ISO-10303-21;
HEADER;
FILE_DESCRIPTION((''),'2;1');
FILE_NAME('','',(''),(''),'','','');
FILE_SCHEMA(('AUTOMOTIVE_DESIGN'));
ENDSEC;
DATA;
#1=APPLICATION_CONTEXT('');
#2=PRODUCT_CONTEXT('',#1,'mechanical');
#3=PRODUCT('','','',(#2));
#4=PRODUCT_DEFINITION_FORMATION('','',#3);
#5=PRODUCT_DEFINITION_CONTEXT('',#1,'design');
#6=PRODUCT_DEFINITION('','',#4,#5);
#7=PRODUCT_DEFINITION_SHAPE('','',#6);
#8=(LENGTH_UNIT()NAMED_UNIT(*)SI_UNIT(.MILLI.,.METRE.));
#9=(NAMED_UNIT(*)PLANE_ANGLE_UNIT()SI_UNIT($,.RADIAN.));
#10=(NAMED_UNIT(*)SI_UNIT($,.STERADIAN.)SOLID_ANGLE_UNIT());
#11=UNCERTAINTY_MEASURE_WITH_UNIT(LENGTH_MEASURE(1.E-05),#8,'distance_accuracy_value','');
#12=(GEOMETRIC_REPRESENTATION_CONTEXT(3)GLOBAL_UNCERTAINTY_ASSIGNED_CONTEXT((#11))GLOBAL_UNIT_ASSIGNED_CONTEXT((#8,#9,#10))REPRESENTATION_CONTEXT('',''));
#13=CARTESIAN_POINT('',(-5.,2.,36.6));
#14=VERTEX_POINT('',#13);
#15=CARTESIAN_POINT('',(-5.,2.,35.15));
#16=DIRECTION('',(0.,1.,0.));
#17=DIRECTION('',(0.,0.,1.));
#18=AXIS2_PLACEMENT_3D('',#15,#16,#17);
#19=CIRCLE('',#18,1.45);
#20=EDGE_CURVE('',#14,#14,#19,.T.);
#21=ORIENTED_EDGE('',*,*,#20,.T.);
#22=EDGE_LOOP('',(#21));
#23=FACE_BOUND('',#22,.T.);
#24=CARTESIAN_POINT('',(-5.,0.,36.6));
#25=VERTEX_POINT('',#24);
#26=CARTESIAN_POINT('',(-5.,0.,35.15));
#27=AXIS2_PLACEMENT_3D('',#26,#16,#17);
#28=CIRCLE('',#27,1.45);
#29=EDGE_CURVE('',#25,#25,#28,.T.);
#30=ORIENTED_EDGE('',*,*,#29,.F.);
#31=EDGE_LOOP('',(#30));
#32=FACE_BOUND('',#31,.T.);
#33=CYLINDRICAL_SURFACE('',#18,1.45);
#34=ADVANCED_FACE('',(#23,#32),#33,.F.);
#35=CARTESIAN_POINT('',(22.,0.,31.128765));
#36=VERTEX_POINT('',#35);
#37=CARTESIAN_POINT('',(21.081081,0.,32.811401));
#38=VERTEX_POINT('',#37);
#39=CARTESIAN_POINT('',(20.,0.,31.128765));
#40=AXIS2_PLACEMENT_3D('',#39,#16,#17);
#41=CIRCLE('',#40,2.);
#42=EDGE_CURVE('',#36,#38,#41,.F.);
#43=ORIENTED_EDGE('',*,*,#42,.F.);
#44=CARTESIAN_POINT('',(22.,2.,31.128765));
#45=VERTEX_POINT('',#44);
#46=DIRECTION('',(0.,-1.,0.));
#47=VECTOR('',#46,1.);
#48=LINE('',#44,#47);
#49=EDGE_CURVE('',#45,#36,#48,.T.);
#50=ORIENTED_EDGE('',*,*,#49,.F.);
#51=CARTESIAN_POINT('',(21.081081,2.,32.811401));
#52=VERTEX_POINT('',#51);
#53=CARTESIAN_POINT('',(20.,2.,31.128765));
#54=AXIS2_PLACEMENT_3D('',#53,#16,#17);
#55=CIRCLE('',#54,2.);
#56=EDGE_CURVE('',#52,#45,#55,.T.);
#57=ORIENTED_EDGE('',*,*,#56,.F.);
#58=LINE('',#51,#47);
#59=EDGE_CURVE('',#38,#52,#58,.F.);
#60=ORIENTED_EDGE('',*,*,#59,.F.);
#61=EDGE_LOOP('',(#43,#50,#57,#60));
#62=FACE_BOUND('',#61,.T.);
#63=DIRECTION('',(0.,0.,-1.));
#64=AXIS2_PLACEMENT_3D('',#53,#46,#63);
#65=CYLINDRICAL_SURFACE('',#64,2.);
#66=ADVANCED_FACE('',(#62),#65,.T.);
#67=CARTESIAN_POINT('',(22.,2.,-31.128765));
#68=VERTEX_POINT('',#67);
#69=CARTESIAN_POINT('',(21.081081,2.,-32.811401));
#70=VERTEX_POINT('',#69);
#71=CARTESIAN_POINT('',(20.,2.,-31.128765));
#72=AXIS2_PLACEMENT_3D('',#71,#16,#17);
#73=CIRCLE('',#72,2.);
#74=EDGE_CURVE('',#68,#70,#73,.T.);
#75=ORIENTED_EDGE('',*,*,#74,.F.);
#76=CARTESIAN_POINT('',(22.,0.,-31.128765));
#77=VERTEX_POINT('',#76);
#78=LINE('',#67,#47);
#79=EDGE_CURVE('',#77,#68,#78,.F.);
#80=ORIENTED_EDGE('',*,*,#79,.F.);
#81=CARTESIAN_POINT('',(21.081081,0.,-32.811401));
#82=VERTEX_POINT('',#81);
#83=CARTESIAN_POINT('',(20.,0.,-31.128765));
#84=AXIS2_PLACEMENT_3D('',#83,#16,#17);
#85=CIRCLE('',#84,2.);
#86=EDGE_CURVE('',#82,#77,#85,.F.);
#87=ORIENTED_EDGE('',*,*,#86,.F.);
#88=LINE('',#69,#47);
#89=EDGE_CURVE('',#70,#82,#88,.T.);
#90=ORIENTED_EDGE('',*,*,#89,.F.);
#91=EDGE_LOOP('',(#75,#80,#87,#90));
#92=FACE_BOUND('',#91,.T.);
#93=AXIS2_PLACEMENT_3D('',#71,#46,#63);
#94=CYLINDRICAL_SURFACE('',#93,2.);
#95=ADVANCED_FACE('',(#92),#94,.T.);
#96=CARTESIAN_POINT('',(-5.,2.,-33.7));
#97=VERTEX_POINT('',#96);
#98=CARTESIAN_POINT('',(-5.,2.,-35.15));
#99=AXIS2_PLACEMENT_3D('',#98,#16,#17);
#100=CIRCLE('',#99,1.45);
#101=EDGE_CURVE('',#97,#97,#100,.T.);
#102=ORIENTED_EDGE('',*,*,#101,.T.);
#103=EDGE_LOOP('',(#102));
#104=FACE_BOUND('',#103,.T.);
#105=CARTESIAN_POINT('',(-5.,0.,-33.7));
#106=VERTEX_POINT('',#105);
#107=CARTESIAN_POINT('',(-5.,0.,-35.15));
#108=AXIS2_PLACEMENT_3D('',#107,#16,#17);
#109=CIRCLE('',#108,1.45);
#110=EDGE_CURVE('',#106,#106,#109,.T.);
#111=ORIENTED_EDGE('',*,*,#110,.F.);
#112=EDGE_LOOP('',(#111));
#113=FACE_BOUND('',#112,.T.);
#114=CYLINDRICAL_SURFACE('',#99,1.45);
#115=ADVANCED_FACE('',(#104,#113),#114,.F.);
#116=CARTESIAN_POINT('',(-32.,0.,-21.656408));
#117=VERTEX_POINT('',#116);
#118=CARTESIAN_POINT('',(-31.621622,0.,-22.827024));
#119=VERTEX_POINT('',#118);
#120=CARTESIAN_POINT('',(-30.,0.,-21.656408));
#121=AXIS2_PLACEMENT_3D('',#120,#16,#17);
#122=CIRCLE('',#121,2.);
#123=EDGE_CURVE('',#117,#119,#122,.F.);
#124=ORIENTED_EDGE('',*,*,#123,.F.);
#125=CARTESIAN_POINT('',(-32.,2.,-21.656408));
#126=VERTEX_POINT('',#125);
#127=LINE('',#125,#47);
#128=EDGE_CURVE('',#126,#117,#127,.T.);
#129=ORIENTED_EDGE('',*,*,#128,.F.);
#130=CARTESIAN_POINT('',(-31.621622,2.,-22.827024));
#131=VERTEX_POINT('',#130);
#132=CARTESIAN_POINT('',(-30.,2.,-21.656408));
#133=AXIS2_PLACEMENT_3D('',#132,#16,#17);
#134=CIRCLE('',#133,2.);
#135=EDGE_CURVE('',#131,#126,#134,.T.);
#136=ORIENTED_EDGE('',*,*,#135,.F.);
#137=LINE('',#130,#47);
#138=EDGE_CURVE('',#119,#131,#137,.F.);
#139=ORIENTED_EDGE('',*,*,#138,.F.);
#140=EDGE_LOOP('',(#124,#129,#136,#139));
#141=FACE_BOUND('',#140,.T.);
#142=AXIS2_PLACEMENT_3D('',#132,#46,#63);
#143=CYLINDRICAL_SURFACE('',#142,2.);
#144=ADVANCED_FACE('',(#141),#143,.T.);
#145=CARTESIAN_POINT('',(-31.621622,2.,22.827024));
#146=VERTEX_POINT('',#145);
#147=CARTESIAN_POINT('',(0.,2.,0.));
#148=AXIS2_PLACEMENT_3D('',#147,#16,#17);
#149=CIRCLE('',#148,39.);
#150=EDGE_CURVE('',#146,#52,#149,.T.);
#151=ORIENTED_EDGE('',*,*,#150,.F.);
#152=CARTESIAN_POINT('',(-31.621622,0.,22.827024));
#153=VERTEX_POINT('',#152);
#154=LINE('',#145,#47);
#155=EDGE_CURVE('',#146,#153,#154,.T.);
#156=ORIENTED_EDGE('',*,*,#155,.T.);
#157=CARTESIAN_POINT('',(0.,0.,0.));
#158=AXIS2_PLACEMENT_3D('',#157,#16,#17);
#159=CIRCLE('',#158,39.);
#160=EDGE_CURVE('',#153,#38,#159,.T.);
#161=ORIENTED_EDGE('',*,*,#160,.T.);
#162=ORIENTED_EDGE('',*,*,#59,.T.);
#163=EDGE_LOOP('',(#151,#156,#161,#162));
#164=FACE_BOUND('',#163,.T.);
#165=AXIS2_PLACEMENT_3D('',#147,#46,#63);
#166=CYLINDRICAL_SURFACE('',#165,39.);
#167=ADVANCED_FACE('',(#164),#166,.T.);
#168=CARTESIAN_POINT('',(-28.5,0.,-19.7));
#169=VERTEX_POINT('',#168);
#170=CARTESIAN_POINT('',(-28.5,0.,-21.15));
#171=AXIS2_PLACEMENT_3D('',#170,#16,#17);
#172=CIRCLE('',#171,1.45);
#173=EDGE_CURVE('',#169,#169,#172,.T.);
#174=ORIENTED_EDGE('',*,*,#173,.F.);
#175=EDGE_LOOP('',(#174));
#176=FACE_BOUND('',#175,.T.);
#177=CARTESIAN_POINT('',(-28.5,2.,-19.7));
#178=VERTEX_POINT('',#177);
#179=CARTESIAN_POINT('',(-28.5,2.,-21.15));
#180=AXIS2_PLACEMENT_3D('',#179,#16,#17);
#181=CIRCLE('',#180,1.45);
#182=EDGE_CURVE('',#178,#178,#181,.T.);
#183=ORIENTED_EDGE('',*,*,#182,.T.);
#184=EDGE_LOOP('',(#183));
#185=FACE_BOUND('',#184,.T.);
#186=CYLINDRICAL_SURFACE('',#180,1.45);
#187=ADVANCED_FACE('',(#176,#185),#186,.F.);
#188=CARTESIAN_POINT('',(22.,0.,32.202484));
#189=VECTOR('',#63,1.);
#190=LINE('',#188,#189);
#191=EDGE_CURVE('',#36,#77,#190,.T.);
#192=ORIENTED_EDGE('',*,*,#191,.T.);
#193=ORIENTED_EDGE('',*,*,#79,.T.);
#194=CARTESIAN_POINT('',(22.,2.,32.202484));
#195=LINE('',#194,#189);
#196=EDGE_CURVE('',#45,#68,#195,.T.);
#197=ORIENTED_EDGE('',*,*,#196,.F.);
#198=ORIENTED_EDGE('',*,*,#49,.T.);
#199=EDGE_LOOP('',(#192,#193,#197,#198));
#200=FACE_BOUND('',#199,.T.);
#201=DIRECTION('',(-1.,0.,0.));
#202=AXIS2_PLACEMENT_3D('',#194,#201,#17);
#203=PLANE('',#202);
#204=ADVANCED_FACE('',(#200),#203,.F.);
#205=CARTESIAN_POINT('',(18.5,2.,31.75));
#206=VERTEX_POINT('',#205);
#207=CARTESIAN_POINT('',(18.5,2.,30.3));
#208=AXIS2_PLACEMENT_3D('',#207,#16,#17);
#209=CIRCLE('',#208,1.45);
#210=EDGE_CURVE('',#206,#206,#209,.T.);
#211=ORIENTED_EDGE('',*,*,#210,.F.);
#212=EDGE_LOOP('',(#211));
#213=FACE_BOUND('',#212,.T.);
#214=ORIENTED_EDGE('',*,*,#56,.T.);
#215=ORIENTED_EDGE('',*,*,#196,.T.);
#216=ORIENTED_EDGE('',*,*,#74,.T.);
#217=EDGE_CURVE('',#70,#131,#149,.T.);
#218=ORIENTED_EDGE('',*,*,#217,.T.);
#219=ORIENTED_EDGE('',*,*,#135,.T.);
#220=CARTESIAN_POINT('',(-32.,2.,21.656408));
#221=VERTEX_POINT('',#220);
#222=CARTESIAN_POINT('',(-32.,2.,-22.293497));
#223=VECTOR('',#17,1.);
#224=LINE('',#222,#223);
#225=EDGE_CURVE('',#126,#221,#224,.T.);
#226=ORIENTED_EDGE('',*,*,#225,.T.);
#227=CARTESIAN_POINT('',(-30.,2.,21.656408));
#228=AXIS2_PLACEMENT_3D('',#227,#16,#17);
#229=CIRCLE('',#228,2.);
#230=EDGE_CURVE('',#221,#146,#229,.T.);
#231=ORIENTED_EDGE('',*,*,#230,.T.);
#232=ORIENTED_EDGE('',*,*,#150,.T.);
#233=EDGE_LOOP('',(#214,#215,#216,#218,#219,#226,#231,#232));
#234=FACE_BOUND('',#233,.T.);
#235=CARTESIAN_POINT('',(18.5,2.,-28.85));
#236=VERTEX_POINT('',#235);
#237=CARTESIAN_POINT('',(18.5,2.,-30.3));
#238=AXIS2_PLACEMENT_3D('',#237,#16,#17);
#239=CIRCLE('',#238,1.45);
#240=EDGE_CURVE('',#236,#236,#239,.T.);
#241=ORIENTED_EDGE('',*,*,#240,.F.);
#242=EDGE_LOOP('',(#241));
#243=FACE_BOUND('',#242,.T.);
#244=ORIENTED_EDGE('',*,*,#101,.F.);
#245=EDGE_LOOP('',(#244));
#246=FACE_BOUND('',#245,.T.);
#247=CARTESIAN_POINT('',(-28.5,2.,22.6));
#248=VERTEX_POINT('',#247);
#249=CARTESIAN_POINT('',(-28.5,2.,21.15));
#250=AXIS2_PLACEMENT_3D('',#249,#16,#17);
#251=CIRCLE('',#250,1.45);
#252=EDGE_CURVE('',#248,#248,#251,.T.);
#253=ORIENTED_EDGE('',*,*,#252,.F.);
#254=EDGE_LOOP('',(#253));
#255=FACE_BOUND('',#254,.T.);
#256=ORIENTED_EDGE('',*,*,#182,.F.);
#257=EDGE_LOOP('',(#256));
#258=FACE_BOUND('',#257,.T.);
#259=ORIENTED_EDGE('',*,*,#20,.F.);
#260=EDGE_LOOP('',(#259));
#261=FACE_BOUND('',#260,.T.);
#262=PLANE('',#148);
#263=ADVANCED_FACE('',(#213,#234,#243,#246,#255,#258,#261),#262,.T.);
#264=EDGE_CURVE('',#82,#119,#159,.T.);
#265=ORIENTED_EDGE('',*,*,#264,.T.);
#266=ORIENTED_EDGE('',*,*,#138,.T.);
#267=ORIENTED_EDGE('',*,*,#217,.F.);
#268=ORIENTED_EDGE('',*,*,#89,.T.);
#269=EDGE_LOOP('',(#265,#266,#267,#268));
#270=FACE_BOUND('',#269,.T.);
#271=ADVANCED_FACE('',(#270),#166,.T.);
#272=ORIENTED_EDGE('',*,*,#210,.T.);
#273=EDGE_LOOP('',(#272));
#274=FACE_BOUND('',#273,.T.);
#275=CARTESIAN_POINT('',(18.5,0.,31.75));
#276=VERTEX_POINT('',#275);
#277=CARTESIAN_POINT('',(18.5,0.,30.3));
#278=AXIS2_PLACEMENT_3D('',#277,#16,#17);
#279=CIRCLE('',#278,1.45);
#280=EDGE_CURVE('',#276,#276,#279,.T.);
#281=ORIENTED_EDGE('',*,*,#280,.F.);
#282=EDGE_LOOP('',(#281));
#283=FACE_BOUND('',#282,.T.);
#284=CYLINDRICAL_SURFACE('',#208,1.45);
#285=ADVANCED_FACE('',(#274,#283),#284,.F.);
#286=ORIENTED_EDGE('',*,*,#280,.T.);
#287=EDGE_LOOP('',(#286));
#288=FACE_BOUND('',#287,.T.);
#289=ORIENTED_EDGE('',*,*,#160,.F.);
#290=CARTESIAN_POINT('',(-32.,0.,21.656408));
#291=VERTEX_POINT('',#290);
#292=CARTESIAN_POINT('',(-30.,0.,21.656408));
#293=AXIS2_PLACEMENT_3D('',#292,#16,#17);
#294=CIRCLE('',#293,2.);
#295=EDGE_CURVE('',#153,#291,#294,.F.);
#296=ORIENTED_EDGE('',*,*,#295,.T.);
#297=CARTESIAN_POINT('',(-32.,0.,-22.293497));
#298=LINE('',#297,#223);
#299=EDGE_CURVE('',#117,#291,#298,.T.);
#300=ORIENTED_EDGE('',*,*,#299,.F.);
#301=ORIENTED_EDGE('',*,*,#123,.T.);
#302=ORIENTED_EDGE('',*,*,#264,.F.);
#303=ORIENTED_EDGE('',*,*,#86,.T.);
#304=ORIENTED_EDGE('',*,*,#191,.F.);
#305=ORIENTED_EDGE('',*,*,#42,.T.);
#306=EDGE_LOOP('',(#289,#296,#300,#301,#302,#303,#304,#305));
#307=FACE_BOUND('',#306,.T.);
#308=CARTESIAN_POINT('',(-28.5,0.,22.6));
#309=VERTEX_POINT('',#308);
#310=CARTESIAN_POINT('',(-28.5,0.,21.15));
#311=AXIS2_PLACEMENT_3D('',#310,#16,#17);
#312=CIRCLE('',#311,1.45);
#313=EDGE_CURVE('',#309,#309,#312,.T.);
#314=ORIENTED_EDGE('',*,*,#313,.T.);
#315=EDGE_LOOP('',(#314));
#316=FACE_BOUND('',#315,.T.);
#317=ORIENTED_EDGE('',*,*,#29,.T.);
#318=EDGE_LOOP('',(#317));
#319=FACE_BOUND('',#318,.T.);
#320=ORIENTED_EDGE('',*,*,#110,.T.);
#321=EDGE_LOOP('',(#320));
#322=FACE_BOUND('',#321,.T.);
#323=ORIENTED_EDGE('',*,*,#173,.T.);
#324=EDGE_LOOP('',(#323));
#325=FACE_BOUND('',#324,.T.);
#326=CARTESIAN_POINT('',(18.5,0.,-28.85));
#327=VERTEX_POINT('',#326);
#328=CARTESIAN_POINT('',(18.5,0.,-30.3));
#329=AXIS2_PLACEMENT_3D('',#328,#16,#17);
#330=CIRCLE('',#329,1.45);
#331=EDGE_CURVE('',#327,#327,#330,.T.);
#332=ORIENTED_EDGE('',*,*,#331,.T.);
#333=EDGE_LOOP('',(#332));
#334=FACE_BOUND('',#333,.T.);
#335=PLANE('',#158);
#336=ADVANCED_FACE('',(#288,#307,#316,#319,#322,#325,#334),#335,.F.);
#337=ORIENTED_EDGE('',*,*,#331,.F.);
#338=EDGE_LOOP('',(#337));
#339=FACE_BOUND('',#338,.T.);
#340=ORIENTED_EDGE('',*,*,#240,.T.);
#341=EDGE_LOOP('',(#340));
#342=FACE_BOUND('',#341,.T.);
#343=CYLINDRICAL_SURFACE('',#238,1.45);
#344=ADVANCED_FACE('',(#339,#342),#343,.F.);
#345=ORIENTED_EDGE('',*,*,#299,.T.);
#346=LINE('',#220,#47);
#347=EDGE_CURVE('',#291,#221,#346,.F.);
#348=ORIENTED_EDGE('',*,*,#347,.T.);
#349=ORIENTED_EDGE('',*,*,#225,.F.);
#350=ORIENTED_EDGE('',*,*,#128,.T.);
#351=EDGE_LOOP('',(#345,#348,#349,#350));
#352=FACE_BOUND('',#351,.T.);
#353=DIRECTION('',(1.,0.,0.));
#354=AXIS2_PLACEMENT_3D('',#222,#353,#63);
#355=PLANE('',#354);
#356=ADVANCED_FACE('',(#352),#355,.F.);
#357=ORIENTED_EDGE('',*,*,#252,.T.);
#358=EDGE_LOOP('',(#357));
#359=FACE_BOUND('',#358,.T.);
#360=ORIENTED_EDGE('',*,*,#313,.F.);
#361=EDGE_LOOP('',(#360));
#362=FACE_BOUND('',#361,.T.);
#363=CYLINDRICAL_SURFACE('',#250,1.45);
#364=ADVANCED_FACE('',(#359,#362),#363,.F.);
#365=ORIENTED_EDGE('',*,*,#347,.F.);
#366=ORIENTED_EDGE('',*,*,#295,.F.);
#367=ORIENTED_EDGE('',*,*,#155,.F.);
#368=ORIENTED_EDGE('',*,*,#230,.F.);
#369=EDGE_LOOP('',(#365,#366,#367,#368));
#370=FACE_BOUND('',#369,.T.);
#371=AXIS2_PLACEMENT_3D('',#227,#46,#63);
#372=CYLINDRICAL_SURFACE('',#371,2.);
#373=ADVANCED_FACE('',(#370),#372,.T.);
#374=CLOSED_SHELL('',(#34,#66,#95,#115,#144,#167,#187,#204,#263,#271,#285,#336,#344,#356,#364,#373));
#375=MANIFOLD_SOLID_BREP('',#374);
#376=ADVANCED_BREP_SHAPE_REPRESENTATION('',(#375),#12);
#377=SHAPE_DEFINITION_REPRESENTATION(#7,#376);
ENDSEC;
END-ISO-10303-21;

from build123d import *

# Parameters (mm, degrees)
BOSS_EXTRUDE1_DEPTH        = 2
FILLET1_R                  = 2
F_2_9_2_9_DIAMETER_HOLE1_D = 2.9


with BuildPart() as part:
    # Sketch1 → Boss-Extrude1 (new body)
    with BuildSketch(Plane(origin=(0, 0, 0), x_dir=(1, 0, 0), z_dir=(0, 1, 0))):
        with BuildLine():
            Line((-32, 22.29349681), (-32, -22.29349681))
            ThreePointArc((-32, -22.29349681), (-7.038963606, -38.359522825), (22, -32.202484376))
            Line((22, -32.202484376), (22, 32.202484376))
            ThreePointArc((22, 32.202484376), (-7.038963606, 38.359522825), (-32, 22.29349681))
        make_face()
    extrude(amount=BOSS_EXTRUDE1_DEPTH)

    # Fillet1
    fillet1_edges = [part.edges().sort_by_distance(p)[0] for p in [
        (22, 1, -32.202484376),
        (22, 1, 32.202484376),
        (-32, 1, 22.29349681),
        (-32, 1, -22.29349681),
    ]]
    fillet(fillet1_edges, radius=FILLET1_R)

    # Ø2.9 (2.9) Diameter Hole1 (through all)
    with Locations(Plane(origin=(0, 2, 0), x_dir=(1, 0, 0), z_dir=(0, 1, 0))):
        with Locations((-28.5, 21.15), (-28.5, -21.15), (18.5, -30.3), (18.5, 30.3), (-5, 35.15), (-5, -35.15)):
            Hole(F_2_9_2_9_DIAMETER_HOLE1_D / 2)


solid = part.part
